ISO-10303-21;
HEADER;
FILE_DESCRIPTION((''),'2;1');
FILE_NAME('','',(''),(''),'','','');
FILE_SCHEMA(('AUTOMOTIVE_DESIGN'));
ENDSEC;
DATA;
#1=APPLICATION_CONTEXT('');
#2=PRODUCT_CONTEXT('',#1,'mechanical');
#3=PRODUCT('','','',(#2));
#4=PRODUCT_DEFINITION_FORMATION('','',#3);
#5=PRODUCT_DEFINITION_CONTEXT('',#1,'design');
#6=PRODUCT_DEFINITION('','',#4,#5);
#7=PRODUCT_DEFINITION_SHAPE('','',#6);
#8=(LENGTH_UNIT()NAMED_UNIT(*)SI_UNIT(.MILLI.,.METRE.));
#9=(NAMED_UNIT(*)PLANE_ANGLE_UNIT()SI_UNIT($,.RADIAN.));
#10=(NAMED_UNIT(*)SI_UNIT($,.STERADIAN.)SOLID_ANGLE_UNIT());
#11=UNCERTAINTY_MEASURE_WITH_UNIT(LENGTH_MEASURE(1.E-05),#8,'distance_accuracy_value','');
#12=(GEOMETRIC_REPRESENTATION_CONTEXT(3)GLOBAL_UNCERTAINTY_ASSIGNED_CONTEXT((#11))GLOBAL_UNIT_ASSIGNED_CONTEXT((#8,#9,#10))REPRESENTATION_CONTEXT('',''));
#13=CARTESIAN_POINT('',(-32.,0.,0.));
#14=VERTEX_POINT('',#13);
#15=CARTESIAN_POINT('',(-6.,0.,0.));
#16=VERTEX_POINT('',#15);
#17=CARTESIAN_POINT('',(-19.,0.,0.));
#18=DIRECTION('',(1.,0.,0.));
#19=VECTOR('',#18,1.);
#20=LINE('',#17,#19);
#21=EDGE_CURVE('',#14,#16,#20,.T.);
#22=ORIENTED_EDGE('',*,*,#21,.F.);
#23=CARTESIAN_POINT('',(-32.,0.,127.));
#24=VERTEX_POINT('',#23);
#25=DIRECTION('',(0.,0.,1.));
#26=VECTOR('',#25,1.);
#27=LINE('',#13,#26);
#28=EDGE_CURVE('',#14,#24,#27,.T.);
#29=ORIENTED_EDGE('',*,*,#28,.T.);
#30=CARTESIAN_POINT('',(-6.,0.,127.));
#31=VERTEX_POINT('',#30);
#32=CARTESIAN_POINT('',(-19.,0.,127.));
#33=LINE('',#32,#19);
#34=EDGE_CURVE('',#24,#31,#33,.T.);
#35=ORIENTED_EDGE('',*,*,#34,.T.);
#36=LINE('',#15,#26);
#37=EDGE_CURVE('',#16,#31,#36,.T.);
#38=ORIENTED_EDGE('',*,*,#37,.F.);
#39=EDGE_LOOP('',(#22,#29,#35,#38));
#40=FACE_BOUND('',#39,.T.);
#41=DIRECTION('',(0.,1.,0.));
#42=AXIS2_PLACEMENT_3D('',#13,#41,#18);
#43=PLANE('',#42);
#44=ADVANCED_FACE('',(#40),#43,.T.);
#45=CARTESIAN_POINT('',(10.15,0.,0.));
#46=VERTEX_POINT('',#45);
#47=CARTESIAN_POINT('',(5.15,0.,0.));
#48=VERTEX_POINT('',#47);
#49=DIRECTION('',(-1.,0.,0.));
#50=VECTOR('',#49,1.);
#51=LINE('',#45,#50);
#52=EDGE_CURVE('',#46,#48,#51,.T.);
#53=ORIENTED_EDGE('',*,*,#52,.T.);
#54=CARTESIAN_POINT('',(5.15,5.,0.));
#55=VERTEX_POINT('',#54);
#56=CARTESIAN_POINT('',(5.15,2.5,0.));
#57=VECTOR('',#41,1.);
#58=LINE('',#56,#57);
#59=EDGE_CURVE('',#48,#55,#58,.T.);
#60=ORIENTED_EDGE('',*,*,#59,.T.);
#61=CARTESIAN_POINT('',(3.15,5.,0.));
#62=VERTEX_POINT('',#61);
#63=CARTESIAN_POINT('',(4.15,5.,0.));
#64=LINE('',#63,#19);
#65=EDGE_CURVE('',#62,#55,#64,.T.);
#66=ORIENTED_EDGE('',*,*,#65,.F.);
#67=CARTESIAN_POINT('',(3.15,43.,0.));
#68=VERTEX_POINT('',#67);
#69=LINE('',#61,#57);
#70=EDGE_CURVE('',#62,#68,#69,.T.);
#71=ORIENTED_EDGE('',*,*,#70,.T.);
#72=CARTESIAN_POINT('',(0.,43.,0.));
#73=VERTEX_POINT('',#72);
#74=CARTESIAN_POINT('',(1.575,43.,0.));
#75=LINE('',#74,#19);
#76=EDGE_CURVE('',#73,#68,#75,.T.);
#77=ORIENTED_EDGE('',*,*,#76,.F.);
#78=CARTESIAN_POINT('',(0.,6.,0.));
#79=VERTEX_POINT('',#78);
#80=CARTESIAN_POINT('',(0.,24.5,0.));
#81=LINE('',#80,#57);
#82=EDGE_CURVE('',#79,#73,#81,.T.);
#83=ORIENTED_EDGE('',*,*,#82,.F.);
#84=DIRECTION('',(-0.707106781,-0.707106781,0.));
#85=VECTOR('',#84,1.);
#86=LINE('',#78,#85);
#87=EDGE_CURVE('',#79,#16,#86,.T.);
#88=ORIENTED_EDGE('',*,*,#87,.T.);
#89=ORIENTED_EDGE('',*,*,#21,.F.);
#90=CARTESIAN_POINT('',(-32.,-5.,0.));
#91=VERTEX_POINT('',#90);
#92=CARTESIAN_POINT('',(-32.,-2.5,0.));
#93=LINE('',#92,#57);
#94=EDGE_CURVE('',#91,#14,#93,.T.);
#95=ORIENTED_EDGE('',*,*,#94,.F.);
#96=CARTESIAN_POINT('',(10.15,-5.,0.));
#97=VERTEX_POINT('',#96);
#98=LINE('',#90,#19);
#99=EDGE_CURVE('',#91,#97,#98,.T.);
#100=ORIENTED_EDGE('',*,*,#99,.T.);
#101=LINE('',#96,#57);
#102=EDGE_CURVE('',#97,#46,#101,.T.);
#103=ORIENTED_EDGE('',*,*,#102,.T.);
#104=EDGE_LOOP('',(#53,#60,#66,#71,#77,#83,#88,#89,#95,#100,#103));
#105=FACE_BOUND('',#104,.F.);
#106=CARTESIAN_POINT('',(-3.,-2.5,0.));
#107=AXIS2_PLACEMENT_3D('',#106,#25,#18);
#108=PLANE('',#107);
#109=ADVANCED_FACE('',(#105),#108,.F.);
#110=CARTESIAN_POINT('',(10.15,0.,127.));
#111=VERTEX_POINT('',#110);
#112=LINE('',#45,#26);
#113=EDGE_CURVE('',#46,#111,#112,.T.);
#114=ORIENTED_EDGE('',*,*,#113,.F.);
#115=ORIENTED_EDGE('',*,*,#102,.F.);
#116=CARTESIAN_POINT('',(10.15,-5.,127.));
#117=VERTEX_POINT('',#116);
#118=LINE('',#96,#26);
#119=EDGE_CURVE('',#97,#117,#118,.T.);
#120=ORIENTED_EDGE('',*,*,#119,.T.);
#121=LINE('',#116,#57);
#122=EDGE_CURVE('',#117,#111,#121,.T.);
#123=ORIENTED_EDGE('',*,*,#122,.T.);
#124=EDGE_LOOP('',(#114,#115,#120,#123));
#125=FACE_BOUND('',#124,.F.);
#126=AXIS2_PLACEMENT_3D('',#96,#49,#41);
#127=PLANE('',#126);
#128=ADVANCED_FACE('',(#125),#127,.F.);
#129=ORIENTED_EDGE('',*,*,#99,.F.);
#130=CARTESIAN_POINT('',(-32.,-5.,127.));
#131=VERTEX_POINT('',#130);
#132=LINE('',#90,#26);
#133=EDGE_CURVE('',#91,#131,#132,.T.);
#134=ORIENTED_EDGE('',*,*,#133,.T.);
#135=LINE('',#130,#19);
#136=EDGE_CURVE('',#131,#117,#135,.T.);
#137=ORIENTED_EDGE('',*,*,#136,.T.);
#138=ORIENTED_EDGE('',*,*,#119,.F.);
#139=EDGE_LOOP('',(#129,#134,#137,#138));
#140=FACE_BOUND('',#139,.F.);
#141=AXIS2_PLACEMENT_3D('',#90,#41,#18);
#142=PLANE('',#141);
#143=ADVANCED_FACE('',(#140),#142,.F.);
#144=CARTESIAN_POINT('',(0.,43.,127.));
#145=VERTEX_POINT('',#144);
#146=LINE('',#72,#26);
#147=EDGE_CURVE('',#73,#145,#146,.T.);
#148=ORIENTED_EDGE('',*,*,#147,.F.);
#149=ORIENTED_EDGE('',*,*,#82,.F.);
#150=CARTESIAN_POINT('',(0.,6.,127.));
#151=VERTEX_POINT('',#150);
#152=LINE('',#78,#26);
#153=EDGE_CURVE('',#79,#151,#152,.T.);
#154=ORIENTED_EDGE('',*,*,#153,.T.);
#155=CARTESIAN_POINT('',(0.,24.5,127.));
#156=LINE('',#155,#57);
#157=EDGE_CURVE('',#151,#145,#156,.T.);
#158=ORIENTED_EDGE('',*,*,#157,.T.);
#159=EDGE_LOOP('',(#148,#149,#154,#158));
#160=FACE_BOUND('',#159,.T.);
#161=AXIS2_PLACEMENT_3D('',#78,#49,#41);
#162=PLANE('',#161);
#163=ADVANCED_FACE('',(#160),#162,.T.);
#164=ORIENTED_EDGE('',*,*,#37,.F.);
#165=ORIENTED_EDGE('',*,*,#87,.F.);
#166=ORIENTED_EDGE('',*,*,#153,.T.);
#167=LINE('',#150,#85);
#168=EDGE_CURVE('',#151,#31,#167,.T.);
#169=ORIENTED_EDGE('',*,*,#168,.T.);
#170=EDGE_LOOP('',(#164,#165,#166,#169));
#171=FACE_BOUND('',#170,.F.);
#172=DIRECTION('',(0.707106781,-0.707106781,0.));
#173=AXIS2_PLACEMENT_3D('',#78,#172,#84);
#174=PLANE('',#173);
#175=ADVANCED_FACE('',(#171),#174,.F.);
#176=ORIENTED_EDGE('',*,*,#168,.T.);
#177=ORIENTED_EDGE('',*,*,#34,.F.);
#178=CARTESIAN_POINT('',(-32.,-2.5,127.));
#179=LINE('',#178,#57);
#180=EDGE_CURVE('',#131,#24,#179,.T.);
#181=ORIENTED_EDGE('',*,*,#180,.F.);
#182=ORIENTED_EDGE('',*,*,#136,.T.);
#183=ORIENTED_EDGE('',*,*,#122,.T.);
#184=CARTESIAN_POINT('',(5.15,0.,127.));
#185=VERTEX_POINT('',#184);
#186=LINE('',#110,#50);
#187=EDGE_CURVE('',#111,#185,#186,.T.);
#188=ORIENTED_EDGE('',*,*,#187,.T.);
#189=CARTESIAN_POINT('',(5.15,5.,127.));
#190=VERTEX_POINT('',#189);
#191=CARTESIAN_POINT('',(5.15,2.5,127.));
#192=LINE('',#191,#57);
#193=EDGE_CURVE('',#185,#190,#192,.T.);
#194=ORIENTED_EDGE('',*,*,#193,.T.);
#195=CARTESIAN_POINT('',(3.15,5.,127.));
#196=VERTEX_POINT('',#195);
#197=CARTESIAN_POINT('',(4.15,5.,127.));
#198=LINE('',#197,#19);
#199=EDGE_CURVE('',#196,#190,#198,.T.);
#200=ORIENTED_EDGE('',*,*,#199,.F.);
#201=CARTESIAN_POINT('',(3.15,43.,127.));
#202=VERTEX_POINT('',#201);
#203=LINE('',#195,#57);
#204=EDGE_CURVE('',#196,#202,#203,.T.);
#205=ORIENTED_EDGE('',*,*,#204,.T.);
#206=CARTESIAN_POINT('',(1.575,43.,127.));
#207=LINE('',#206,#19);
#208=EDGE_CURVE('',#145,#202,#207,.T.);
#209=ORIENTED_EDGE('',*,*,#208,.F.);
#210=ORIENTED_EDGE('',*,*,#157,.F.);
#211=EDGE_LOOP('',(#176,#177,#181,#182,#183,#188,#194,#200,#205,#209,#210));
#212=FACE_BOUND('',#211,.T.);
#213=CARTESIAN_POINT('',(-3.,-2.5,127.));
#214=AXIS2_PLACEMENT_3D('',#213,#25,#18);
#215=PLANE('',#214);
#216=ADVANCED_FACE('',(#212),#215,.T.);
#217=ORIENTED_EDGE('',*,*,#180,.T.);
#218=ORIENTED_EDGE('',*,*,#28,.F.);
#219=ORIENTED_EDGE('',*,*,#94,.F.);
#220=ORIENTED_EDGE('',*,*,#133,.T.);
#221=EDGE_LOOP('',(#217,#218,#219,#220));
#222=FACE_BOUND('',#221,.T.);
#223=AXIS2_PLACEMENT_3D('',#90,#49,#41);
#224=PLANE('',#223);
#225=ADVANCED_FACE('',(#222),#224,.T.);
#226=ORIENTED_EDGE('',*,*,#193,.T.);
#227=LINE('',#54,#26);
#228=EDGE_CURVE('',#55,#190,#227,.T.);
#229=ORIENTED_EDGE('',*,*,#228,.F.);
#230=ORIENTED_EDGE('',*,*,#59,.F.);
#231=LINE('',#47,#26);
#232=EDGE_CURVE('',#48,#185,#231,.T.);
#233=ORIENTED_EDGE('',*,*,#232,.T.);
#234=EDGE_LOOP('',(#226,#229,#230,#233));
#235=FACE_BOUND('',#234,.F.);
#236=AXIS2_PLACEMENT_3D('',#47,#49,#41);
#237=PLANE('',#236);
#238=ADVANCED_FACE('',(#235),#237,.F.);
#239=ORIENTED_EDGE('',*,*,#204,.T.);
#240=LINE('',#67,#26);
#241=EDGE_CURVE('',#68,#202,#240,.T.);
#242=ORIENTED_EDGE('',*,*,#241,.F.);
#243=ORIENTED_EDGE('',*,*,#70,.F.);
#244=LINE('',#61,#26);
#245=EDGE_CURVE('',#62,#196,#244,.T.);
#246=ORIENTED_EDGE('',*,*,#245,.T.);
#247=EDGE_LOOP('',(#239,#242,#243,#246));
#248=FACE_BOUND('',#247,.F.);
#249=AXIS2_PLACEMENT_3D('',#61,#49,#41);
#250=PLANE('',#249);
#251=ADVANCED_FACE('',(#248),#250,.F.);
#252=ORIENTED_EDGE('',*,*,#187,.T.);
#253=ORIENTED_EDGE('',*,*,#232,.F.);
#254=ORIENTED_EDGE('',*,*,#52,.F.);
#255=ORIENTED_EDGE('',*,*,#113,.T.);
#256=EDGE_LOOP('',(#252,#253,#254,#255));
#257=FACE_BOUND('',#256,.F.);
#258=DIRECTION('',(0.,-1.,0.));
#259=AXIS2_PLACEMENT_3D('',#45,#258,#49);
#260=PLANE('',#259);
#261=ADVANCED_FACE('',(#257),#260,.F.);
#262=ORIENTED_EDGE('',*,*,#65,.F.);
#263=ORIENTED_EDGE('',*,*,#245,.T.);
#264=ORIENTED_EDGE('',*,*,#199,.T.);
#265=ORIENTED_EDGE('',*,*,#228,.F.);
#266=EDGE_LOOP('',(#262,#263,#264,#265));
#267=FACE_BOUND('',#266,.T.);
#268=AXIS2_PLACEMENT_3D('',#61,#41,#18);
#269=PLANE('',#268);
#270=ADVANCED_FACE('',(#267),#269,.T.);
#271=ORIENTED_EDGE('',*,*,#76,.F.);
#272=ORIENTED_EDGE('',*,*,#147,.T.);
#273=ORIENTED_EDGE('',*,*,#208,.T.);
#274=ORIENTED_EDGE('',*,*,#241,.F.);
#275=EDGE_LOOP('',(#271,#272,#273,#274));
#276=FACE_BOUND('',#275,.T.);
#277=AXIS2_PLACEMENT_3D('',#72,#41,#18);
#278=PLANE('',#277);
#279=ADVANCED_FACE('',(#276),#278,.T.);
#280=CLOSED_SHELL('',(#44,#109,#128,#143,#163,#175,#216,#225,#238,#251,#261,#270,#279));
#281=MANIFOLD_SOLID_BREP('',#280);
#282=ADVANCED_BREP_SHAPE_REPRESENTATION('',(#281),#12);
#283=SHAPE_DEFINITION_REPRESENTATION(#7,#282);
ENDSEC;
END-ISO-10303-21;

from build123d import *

# Parameters (mm, degrees)
F0_W     = 6
F0_H     = 5
F0_W_2   = 26
F0_W_3   = 2
F0_W_4   = 3.15
F0_H_2   = 37
F1_DEPTH = 127


with BuildPart() as f1:
    # F0 (on Top) → F1 (new body)
    with BuildSketch(Plane.XY):
        with Locations((-3, -2.5)):
            Rectangle(F0_W, F0_H)
        Polygon((3.15, 0), (0, 0), (0, -5), (10.15, -5), (10.15, 0), (5.15, 0), align=None)
        Polygon((0, 6), (0, 0), (3.15, 0), (3.15, 5), (3.15, 6), align=None)
        Polygon((-6, 0), (0, 0), (0, 6), align=None)
        with Locations((-19, -2.5)):
            Rectangle(F0_W_2, F0_H)
        with Locations((4.15, 2.5)):
            Rectangle(F0_W_3, F0_H)
        with Locations((1.575, 24.5)):
            Rectangle(F0_W_4, F0_H_2)
    extrude(amount=F1_DEPTH)


solid = f1.part
